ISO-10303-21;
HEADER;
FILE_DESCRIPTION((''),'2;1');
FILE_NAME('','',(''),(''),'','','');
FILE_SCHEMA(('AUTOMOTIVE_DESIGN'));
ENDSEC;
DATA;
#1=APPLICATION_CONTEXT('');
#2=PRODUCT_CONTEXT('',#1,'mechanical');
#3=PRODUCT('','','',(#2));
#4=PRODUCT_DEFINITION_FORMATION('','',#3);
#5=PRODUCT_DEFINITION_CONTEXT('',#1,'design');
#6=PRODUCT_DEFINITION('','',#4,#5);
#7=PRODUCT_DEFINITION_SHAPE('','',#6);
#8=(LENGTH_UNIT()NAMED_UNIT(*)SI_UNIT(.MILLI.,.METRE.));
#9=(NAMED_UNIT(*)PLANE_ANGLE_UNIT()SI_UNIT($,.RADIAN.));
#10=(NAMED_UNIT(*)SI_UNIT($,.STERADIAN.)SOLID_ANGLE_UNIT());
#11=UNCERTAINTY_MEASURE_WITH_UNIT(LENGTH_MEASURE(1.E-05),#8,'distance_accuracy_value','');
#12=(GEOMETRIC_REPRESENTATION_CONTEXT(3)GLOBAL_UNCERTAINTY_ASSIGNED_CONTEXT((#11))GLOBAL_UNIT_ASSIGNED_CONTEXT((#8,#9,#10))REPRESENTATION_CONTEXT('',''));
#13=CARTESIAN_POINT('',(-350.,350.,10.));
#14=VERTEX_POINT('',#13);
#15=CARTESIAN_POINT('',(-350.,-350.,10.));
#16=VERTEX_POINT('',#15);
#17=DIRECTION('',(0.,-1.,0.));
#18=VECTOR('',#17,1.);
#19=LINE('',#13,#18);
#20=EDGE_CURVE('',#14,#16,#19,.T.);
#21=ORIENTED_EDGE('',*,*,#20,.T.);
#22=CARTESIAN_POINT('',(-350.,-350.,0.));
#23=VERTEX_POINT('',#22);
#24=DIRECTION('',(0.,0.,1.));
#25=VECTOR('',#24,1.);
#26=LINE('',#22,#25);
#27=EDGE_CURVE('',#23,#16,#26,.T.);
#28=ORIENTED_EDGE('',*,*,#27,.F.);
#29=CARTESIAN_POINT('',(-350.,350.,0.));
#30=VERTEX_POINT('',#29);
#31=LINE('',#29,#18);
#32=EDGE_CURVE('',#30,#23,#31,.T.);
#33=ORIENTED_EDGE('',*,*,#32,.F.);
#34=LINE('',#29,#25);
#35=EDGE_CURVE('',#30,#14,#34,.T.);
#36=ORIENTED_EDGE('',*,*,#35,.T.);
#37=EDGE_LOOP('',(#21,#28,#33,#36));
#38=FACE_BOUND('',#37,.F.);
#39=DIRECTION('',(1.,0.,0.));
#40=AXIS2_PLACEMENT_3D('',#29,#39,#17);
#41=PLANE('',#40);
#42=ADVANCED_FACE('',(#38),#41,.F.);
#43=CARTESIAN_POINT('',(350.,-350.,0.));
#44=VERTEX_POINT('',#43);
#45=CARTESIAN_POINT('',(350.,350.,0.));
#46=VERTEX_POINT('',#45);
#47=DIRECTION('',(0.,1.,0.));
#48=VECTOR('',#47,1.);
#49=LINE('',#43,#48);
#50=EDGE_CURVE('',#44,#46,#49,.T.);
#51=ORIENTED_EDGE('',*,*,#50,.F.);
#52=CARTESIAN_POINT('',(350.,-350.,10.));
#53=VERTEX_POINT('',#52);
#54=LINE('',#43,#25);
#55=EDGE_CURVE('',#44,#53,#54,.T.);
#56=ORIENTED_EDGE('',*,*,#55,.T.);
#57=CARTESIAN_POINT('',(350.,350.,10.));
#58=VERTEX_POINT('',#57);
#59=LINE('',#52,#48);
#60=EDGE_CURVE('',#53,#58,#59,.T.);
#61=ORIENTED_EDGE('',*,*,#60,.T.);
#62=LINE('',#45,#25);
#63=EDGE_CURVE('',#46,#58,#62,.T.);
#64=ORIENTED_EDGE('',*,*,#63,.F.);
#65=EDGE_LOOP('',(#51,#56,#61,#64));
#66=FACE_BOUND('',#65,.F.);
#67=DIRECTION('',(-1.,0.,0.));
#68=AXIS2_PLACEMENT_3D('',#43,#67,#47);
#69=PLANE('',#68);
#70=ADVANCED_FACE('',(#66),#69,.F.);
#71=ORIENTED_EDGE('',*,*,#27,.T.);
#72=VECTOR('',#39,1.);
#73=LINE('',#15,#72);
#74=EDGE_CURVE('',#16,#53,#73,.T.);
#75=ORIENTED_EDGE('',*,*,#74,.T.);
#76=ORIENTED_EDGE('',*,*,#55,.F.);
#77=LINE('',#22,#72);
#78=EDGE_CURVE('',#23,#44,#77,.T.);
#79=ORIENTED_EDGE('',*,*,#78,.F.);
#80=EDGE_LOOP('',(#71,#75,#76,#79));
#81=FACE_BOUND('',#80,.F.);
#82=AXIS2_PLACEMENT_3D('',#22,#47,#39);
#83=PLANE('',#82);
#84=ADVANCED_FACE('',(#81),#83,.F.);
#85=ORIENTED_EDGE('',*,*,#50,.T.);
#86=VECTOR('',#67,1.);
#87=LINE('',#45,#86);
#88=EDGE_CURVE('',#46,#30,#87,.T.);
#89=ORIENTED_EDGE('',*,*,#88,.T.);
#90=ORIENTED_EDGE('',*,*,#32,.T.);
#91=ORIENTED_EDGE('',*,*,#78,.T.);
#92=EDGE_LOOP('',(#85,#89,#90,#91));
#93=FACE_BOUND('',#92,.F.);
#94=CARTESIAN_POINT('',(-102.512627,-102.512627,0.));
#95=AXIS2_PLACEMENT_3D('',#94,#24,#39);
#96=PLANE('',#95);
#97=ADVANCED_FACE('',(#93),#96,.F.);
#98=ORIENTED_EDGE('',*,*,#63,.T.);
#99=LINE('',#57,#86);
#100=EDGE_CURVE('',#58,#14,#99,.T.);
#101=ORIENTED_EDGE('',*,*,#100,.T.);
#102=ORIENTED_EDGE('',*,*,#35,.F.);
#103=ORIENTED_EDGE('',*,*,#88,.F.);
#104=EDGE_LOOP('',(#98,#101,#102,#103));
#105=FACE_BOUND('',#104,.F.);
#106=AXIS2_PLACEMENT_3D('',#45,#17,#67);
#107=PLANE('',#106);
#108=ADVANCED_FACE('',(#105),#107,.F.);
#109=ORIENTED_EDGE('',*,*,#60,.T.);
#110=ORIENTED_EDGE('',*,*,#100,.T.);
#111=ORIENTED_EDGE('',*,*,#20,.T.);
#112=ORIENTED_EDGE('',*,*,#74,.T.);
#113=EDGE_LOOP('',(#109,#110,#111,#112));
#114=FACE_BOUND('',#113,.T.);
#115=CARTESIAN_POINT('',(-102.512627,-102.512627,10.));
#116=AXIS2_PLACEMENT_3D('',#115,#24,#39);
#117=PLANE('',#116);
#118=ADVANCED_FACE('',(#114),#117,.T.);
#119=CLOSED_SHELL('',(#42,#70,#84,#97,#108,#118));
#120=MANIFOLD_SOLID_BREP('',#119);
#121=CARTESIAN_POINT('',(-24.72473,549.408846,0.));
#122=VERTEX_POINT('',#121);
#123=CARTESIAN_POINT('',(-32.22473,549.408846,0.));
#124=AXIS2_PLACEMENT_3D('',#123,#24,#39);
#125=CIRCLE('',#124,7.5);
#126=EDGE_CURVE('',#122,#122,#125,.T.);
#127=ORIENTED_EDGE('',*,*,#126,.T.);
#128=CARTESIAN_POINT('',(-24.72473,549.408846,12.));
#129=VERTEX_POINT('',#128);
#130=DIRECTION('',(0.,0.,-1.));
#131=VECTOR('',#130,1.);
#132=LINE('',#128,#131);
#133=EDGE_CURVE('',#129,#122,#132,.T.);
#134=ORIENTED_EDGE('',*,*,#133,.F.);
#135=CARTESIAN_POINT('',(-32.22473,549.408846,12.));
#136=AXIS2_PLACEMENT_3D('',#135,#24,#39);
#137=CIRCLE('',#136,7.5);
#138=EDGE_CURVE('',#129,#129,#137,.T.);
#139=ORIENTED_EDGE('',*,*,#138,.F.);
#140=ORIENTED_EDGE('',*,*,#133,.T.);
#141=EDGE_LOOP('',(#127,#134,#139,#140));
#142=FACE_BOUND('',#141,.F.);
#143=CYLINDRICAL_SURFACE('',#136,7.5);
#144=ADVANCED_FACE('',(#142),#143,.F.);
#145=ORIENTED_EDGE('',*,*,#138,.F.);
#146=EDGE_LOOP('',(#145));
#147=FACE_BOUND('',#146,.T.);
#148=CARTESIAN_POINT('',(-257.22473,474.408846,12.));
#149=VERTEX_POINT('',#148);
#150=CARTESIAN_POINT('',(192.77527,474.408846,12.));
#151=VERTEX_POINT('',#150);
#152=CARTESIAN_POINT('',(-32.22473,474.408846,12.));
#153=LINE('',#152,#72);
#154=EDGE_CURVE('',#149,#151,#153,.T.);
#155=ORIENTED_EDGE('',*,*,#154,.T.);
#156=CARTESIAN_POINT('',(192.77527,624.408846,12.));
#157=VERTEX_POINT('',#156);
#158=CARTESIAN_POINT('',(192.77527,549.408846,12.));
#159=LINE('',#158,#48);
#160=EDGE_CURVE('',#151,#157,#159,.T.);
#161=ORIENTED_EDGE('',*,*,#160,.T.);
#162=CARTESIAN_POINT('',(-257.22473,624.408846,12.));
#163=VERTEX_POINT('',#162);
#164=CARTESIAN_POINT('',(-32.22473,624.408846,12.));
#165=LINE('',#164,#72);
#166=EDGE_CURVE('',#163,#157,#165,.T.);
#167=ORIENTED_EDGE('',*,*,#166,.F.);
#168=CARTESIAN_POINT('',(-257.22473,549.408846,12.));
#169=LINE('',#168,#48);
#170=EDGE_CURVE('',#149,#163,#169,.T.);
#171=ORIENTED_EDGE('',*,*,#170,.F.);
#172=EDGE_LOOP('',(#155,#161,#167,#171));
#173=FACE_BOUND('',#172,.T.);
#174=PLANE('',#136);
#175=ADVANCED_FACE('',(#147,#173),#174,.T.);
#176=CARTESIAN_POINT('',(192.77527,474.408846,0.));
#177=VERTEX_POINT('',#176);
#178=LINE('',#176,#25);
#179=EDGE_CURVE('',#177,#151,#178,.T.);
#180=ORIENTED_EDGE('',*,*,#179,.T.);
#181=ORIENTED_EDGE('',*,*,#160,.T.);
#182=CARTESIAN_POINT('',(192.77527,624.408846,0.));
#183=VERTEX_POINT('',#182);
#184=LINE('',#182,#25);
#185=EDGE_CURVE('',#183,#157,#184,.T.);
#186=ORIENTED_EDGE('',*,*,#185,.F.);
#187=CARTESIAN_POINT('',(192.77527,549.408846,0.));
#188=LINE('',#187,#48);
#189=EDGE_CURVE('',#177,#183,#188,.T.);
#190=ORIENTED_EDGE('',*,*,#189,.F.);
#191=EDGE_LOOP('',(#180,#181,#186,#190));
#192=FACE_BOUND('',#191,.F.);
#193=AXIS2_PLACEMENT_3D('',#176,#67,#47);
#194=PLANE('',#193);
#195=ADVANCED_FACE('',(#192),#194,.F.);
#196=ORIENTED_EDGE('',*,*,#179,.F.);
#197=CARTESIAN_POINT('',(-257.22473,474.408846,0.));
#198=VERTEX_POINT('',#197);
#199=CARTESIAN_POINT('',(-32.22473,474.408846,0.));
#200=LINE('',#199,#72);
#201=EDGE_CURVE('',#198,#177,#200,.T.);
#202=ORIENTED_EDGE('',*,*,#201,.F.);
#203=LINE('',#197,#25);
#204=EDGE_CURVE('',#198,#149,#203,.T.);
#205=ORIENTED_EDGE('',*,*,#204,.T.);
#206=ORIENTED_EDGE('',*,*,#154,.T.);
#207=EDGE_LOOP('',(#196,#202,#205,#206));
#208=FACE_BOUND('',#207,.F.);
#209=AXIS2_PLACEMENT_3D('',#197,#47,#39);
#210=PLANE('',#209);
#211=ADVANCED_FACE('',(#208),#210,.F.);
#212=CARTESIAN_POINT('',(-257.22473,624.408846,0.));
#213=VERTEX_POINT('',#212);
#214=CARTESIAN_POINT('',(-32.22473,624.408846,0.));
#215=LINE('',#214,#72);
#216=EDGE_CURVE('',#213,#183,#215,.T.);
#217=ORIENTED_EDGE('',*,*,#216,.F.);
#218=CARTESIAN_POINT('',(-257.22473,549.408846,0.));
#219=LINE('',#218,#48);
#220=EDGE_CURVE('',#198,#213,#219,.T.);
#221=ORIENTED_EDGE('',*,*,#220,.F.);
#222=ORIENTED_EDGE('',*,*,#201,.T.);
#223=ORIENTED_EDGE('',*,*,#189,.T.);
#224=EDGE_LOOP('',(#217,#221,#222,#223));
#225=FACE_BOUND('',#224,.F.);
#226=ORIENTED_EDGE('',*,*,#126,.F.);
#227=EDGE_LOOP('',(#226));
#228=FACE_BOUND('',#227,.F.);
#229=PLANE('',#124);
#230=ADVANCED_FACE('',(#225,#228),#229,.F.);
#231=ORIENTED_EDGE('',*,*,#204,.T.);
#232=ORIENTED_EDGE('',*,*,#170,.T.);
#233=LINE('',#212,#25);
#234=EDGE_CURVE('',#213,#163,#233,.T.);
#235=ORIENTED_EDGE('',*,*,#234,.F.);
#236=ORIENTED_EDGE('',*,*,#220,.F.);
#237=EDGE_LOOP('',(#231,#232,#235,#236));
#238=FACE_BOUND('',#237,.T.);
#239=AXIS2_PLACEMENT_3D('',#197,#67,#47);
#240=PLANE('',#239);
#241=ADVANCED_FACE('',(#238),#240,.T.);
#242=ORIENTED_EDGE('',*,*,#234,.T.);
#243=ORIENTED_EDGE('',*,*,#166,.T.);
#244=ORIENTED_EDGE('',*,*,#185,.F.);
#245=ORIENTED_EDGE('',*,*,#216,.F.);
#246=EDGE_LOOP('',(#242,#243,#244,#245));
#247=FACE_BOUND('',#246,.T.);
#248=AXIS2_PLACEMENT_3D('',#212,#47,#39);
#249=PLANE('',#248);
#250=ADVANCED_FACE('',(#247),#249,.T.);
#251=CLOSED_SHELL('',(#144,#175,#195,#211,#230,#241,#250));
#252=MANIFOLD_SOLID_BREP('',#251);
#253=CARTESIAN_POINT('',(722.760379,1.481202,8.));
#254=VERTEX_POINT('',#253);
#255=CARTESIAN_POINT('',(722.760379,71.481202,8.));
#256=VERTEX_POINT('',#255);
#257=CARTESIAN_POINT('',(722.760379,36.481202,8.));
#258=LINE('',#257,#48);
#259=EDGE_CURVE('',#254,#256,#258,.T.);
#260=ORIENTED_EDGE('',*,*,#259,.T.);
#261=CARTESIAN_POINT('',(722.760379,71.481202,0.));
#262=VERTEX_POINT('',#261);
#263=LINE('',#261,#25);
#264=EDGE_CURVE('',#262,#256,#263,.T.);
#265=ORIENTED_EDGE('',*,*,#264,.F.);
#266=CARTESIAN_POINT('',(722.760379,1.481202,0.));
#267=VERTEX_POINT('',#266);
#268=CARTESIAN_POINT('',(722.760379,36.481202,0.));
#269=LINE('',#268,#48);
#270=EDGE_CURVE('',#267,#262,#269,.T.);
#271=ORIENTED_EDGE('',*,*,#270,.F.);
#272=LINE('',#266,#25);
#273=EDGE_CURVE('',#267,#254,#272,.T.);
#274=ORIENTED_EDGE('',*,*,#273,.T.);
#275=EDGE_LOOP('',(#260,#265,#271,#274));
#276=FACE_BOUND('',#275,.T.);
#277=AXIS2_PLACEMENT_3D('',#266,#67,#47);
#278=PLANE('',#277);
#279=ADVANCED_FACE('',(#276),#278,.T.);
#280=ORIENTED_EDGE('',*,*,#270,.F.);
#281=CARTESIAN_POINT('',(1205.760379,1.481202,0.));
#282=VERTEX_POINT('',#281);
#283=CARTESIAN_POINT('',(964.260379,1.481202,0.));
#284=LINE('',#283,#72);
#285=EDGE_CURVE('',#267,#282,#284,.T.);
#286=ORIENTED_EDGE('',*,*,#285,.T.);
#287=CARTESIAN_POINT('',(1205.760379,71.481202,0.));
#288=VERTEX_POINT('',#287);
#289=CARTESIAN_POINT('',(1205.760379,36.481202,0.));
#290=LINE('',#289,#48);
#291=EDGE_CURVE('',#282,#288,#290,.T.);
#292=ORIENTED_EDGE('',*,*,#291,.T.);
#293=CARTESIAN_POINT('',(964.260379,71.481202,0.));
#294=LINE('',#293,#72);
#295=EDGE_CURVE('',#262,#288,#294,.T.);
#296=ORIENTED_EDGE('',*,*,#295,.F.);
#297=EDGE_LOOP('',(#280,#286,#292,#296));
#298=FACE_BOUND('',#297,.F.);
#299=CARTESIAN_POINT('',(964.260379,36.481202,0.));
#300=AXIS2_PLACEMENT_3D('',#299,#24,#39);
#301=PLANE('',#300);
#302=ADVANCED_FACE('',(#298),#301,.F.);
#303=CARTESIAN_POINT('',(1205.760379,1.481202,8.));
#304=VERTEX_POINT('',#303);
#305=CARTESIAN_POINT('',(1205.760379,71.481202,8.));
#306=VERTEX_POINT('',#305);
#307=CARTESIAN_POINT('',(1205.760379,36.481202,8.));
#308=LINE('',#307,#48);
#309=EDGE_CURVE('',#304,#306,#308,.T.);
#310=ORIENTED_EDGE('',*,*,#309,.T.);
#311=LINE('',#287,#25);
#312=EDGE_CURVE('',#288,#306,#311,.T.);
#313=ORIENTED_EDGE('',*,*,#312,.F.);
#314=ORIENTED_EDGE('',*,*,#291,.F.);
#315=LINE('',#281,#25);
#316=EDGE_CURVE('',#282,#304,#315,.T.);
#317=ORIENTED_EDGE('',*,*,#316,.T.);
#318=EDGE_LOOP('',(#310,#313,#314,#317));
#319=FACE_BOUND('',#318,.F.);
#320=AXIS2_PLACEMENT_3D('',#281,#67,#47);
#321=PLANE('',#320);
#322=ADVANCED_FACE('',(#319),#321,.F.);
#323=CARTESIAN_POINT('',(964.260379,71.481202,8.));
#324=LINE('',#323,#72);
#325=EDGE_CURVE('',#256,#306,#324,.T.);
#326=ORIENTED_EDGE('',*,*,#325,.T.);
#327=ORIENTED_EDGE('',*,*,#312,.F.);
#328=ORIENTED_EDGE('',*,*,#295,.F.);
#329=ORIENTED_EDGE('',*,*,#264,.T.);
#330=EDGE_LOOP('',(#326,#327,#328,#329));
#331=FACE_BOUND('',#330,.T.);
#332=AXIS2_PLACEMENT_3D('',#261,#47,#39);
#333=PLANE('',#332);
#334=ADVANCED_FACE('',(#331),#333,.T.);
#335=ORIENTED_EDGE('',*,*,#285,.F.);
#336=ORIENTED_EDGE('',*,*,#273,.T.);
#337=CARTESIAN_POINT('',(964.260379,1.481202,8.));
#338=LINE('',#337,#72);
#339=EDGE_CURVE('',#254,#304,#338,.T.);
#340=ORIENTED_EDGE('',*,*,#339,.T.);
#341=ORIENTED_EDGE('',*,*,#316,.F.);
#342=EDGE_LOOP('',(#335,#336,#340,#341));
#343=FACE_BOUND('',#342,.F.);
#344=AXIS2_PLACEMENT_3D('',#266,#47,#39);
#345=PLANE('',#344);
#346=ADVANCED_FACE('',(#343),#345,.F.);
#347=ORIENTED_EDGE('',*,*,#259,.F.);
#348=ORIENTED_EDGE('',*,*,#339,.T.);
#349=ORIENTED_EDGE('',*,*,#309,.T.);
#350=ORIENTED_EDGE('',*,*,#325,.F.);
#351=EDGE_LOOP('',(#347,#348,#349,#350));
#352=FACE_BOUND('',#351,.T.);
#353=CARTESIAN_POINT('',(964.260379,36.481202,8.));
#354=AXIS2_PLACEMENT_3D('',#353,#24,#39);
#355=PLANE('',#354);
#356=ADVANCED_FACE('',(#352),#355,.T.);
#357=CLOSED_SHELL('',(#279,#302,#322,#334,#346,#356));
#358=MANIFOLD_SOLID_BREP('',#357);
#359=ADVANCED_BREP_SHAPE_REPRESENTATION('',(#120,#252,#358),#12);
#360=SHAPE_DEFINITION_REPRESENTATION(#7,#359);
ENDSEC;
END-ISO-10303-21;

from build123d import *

# Parameters (mm, degrees)
F1_DEPTH = 10
F2_W     = 483
F2_H     = 70
F3_DEPTH = 8
F4_W     = 450
F4_H     = 150
F5_DEPTH = 12
F6_R     = 7.5
F7_DEPTH = 12.001


with BuildPart() as f1:
    # F0 (on Top) → F1 (new body)
    with BuildSketch(Plane.XY):
        Polygon((350, -350), (-350, 350), (-350, -350), align=None)
        Polygon((350, 350), (-350, 350), (350, -350), align=None)
    extrude(amount=F1_DEPTH)


with BuildPart() as f3:
    # F2 (on Top) → F3 (new body)
    with BuildSketch(Plane.XY):
        with Locations((964.260379, 36.481202)):
            Rectangle(F2_W, F2_H)
    extrude(amount=F3_DEPTH)


with BuildPart() as f5:
    # F4 (on Top) → F5 (new body)
    with BuildSketch(Plane.XY):
        with Locations((-32.22473, 549.408846)):
            Rectangle(F4_W, F4_H)
    extrude(amount=F5_DEPTH)

    # F6 (on face) → F7 (cut, through all)
    with BuildSketch(Plane.XY.offset(12)):
        with Locations((-32.22473, 549.408846)):
            Circle(F6_R)
    extrude(amount=-F7_DEPTH, mode=Mode.SUBTRACT)


solid = Compound([f1.part, f3.part, f5.part])
